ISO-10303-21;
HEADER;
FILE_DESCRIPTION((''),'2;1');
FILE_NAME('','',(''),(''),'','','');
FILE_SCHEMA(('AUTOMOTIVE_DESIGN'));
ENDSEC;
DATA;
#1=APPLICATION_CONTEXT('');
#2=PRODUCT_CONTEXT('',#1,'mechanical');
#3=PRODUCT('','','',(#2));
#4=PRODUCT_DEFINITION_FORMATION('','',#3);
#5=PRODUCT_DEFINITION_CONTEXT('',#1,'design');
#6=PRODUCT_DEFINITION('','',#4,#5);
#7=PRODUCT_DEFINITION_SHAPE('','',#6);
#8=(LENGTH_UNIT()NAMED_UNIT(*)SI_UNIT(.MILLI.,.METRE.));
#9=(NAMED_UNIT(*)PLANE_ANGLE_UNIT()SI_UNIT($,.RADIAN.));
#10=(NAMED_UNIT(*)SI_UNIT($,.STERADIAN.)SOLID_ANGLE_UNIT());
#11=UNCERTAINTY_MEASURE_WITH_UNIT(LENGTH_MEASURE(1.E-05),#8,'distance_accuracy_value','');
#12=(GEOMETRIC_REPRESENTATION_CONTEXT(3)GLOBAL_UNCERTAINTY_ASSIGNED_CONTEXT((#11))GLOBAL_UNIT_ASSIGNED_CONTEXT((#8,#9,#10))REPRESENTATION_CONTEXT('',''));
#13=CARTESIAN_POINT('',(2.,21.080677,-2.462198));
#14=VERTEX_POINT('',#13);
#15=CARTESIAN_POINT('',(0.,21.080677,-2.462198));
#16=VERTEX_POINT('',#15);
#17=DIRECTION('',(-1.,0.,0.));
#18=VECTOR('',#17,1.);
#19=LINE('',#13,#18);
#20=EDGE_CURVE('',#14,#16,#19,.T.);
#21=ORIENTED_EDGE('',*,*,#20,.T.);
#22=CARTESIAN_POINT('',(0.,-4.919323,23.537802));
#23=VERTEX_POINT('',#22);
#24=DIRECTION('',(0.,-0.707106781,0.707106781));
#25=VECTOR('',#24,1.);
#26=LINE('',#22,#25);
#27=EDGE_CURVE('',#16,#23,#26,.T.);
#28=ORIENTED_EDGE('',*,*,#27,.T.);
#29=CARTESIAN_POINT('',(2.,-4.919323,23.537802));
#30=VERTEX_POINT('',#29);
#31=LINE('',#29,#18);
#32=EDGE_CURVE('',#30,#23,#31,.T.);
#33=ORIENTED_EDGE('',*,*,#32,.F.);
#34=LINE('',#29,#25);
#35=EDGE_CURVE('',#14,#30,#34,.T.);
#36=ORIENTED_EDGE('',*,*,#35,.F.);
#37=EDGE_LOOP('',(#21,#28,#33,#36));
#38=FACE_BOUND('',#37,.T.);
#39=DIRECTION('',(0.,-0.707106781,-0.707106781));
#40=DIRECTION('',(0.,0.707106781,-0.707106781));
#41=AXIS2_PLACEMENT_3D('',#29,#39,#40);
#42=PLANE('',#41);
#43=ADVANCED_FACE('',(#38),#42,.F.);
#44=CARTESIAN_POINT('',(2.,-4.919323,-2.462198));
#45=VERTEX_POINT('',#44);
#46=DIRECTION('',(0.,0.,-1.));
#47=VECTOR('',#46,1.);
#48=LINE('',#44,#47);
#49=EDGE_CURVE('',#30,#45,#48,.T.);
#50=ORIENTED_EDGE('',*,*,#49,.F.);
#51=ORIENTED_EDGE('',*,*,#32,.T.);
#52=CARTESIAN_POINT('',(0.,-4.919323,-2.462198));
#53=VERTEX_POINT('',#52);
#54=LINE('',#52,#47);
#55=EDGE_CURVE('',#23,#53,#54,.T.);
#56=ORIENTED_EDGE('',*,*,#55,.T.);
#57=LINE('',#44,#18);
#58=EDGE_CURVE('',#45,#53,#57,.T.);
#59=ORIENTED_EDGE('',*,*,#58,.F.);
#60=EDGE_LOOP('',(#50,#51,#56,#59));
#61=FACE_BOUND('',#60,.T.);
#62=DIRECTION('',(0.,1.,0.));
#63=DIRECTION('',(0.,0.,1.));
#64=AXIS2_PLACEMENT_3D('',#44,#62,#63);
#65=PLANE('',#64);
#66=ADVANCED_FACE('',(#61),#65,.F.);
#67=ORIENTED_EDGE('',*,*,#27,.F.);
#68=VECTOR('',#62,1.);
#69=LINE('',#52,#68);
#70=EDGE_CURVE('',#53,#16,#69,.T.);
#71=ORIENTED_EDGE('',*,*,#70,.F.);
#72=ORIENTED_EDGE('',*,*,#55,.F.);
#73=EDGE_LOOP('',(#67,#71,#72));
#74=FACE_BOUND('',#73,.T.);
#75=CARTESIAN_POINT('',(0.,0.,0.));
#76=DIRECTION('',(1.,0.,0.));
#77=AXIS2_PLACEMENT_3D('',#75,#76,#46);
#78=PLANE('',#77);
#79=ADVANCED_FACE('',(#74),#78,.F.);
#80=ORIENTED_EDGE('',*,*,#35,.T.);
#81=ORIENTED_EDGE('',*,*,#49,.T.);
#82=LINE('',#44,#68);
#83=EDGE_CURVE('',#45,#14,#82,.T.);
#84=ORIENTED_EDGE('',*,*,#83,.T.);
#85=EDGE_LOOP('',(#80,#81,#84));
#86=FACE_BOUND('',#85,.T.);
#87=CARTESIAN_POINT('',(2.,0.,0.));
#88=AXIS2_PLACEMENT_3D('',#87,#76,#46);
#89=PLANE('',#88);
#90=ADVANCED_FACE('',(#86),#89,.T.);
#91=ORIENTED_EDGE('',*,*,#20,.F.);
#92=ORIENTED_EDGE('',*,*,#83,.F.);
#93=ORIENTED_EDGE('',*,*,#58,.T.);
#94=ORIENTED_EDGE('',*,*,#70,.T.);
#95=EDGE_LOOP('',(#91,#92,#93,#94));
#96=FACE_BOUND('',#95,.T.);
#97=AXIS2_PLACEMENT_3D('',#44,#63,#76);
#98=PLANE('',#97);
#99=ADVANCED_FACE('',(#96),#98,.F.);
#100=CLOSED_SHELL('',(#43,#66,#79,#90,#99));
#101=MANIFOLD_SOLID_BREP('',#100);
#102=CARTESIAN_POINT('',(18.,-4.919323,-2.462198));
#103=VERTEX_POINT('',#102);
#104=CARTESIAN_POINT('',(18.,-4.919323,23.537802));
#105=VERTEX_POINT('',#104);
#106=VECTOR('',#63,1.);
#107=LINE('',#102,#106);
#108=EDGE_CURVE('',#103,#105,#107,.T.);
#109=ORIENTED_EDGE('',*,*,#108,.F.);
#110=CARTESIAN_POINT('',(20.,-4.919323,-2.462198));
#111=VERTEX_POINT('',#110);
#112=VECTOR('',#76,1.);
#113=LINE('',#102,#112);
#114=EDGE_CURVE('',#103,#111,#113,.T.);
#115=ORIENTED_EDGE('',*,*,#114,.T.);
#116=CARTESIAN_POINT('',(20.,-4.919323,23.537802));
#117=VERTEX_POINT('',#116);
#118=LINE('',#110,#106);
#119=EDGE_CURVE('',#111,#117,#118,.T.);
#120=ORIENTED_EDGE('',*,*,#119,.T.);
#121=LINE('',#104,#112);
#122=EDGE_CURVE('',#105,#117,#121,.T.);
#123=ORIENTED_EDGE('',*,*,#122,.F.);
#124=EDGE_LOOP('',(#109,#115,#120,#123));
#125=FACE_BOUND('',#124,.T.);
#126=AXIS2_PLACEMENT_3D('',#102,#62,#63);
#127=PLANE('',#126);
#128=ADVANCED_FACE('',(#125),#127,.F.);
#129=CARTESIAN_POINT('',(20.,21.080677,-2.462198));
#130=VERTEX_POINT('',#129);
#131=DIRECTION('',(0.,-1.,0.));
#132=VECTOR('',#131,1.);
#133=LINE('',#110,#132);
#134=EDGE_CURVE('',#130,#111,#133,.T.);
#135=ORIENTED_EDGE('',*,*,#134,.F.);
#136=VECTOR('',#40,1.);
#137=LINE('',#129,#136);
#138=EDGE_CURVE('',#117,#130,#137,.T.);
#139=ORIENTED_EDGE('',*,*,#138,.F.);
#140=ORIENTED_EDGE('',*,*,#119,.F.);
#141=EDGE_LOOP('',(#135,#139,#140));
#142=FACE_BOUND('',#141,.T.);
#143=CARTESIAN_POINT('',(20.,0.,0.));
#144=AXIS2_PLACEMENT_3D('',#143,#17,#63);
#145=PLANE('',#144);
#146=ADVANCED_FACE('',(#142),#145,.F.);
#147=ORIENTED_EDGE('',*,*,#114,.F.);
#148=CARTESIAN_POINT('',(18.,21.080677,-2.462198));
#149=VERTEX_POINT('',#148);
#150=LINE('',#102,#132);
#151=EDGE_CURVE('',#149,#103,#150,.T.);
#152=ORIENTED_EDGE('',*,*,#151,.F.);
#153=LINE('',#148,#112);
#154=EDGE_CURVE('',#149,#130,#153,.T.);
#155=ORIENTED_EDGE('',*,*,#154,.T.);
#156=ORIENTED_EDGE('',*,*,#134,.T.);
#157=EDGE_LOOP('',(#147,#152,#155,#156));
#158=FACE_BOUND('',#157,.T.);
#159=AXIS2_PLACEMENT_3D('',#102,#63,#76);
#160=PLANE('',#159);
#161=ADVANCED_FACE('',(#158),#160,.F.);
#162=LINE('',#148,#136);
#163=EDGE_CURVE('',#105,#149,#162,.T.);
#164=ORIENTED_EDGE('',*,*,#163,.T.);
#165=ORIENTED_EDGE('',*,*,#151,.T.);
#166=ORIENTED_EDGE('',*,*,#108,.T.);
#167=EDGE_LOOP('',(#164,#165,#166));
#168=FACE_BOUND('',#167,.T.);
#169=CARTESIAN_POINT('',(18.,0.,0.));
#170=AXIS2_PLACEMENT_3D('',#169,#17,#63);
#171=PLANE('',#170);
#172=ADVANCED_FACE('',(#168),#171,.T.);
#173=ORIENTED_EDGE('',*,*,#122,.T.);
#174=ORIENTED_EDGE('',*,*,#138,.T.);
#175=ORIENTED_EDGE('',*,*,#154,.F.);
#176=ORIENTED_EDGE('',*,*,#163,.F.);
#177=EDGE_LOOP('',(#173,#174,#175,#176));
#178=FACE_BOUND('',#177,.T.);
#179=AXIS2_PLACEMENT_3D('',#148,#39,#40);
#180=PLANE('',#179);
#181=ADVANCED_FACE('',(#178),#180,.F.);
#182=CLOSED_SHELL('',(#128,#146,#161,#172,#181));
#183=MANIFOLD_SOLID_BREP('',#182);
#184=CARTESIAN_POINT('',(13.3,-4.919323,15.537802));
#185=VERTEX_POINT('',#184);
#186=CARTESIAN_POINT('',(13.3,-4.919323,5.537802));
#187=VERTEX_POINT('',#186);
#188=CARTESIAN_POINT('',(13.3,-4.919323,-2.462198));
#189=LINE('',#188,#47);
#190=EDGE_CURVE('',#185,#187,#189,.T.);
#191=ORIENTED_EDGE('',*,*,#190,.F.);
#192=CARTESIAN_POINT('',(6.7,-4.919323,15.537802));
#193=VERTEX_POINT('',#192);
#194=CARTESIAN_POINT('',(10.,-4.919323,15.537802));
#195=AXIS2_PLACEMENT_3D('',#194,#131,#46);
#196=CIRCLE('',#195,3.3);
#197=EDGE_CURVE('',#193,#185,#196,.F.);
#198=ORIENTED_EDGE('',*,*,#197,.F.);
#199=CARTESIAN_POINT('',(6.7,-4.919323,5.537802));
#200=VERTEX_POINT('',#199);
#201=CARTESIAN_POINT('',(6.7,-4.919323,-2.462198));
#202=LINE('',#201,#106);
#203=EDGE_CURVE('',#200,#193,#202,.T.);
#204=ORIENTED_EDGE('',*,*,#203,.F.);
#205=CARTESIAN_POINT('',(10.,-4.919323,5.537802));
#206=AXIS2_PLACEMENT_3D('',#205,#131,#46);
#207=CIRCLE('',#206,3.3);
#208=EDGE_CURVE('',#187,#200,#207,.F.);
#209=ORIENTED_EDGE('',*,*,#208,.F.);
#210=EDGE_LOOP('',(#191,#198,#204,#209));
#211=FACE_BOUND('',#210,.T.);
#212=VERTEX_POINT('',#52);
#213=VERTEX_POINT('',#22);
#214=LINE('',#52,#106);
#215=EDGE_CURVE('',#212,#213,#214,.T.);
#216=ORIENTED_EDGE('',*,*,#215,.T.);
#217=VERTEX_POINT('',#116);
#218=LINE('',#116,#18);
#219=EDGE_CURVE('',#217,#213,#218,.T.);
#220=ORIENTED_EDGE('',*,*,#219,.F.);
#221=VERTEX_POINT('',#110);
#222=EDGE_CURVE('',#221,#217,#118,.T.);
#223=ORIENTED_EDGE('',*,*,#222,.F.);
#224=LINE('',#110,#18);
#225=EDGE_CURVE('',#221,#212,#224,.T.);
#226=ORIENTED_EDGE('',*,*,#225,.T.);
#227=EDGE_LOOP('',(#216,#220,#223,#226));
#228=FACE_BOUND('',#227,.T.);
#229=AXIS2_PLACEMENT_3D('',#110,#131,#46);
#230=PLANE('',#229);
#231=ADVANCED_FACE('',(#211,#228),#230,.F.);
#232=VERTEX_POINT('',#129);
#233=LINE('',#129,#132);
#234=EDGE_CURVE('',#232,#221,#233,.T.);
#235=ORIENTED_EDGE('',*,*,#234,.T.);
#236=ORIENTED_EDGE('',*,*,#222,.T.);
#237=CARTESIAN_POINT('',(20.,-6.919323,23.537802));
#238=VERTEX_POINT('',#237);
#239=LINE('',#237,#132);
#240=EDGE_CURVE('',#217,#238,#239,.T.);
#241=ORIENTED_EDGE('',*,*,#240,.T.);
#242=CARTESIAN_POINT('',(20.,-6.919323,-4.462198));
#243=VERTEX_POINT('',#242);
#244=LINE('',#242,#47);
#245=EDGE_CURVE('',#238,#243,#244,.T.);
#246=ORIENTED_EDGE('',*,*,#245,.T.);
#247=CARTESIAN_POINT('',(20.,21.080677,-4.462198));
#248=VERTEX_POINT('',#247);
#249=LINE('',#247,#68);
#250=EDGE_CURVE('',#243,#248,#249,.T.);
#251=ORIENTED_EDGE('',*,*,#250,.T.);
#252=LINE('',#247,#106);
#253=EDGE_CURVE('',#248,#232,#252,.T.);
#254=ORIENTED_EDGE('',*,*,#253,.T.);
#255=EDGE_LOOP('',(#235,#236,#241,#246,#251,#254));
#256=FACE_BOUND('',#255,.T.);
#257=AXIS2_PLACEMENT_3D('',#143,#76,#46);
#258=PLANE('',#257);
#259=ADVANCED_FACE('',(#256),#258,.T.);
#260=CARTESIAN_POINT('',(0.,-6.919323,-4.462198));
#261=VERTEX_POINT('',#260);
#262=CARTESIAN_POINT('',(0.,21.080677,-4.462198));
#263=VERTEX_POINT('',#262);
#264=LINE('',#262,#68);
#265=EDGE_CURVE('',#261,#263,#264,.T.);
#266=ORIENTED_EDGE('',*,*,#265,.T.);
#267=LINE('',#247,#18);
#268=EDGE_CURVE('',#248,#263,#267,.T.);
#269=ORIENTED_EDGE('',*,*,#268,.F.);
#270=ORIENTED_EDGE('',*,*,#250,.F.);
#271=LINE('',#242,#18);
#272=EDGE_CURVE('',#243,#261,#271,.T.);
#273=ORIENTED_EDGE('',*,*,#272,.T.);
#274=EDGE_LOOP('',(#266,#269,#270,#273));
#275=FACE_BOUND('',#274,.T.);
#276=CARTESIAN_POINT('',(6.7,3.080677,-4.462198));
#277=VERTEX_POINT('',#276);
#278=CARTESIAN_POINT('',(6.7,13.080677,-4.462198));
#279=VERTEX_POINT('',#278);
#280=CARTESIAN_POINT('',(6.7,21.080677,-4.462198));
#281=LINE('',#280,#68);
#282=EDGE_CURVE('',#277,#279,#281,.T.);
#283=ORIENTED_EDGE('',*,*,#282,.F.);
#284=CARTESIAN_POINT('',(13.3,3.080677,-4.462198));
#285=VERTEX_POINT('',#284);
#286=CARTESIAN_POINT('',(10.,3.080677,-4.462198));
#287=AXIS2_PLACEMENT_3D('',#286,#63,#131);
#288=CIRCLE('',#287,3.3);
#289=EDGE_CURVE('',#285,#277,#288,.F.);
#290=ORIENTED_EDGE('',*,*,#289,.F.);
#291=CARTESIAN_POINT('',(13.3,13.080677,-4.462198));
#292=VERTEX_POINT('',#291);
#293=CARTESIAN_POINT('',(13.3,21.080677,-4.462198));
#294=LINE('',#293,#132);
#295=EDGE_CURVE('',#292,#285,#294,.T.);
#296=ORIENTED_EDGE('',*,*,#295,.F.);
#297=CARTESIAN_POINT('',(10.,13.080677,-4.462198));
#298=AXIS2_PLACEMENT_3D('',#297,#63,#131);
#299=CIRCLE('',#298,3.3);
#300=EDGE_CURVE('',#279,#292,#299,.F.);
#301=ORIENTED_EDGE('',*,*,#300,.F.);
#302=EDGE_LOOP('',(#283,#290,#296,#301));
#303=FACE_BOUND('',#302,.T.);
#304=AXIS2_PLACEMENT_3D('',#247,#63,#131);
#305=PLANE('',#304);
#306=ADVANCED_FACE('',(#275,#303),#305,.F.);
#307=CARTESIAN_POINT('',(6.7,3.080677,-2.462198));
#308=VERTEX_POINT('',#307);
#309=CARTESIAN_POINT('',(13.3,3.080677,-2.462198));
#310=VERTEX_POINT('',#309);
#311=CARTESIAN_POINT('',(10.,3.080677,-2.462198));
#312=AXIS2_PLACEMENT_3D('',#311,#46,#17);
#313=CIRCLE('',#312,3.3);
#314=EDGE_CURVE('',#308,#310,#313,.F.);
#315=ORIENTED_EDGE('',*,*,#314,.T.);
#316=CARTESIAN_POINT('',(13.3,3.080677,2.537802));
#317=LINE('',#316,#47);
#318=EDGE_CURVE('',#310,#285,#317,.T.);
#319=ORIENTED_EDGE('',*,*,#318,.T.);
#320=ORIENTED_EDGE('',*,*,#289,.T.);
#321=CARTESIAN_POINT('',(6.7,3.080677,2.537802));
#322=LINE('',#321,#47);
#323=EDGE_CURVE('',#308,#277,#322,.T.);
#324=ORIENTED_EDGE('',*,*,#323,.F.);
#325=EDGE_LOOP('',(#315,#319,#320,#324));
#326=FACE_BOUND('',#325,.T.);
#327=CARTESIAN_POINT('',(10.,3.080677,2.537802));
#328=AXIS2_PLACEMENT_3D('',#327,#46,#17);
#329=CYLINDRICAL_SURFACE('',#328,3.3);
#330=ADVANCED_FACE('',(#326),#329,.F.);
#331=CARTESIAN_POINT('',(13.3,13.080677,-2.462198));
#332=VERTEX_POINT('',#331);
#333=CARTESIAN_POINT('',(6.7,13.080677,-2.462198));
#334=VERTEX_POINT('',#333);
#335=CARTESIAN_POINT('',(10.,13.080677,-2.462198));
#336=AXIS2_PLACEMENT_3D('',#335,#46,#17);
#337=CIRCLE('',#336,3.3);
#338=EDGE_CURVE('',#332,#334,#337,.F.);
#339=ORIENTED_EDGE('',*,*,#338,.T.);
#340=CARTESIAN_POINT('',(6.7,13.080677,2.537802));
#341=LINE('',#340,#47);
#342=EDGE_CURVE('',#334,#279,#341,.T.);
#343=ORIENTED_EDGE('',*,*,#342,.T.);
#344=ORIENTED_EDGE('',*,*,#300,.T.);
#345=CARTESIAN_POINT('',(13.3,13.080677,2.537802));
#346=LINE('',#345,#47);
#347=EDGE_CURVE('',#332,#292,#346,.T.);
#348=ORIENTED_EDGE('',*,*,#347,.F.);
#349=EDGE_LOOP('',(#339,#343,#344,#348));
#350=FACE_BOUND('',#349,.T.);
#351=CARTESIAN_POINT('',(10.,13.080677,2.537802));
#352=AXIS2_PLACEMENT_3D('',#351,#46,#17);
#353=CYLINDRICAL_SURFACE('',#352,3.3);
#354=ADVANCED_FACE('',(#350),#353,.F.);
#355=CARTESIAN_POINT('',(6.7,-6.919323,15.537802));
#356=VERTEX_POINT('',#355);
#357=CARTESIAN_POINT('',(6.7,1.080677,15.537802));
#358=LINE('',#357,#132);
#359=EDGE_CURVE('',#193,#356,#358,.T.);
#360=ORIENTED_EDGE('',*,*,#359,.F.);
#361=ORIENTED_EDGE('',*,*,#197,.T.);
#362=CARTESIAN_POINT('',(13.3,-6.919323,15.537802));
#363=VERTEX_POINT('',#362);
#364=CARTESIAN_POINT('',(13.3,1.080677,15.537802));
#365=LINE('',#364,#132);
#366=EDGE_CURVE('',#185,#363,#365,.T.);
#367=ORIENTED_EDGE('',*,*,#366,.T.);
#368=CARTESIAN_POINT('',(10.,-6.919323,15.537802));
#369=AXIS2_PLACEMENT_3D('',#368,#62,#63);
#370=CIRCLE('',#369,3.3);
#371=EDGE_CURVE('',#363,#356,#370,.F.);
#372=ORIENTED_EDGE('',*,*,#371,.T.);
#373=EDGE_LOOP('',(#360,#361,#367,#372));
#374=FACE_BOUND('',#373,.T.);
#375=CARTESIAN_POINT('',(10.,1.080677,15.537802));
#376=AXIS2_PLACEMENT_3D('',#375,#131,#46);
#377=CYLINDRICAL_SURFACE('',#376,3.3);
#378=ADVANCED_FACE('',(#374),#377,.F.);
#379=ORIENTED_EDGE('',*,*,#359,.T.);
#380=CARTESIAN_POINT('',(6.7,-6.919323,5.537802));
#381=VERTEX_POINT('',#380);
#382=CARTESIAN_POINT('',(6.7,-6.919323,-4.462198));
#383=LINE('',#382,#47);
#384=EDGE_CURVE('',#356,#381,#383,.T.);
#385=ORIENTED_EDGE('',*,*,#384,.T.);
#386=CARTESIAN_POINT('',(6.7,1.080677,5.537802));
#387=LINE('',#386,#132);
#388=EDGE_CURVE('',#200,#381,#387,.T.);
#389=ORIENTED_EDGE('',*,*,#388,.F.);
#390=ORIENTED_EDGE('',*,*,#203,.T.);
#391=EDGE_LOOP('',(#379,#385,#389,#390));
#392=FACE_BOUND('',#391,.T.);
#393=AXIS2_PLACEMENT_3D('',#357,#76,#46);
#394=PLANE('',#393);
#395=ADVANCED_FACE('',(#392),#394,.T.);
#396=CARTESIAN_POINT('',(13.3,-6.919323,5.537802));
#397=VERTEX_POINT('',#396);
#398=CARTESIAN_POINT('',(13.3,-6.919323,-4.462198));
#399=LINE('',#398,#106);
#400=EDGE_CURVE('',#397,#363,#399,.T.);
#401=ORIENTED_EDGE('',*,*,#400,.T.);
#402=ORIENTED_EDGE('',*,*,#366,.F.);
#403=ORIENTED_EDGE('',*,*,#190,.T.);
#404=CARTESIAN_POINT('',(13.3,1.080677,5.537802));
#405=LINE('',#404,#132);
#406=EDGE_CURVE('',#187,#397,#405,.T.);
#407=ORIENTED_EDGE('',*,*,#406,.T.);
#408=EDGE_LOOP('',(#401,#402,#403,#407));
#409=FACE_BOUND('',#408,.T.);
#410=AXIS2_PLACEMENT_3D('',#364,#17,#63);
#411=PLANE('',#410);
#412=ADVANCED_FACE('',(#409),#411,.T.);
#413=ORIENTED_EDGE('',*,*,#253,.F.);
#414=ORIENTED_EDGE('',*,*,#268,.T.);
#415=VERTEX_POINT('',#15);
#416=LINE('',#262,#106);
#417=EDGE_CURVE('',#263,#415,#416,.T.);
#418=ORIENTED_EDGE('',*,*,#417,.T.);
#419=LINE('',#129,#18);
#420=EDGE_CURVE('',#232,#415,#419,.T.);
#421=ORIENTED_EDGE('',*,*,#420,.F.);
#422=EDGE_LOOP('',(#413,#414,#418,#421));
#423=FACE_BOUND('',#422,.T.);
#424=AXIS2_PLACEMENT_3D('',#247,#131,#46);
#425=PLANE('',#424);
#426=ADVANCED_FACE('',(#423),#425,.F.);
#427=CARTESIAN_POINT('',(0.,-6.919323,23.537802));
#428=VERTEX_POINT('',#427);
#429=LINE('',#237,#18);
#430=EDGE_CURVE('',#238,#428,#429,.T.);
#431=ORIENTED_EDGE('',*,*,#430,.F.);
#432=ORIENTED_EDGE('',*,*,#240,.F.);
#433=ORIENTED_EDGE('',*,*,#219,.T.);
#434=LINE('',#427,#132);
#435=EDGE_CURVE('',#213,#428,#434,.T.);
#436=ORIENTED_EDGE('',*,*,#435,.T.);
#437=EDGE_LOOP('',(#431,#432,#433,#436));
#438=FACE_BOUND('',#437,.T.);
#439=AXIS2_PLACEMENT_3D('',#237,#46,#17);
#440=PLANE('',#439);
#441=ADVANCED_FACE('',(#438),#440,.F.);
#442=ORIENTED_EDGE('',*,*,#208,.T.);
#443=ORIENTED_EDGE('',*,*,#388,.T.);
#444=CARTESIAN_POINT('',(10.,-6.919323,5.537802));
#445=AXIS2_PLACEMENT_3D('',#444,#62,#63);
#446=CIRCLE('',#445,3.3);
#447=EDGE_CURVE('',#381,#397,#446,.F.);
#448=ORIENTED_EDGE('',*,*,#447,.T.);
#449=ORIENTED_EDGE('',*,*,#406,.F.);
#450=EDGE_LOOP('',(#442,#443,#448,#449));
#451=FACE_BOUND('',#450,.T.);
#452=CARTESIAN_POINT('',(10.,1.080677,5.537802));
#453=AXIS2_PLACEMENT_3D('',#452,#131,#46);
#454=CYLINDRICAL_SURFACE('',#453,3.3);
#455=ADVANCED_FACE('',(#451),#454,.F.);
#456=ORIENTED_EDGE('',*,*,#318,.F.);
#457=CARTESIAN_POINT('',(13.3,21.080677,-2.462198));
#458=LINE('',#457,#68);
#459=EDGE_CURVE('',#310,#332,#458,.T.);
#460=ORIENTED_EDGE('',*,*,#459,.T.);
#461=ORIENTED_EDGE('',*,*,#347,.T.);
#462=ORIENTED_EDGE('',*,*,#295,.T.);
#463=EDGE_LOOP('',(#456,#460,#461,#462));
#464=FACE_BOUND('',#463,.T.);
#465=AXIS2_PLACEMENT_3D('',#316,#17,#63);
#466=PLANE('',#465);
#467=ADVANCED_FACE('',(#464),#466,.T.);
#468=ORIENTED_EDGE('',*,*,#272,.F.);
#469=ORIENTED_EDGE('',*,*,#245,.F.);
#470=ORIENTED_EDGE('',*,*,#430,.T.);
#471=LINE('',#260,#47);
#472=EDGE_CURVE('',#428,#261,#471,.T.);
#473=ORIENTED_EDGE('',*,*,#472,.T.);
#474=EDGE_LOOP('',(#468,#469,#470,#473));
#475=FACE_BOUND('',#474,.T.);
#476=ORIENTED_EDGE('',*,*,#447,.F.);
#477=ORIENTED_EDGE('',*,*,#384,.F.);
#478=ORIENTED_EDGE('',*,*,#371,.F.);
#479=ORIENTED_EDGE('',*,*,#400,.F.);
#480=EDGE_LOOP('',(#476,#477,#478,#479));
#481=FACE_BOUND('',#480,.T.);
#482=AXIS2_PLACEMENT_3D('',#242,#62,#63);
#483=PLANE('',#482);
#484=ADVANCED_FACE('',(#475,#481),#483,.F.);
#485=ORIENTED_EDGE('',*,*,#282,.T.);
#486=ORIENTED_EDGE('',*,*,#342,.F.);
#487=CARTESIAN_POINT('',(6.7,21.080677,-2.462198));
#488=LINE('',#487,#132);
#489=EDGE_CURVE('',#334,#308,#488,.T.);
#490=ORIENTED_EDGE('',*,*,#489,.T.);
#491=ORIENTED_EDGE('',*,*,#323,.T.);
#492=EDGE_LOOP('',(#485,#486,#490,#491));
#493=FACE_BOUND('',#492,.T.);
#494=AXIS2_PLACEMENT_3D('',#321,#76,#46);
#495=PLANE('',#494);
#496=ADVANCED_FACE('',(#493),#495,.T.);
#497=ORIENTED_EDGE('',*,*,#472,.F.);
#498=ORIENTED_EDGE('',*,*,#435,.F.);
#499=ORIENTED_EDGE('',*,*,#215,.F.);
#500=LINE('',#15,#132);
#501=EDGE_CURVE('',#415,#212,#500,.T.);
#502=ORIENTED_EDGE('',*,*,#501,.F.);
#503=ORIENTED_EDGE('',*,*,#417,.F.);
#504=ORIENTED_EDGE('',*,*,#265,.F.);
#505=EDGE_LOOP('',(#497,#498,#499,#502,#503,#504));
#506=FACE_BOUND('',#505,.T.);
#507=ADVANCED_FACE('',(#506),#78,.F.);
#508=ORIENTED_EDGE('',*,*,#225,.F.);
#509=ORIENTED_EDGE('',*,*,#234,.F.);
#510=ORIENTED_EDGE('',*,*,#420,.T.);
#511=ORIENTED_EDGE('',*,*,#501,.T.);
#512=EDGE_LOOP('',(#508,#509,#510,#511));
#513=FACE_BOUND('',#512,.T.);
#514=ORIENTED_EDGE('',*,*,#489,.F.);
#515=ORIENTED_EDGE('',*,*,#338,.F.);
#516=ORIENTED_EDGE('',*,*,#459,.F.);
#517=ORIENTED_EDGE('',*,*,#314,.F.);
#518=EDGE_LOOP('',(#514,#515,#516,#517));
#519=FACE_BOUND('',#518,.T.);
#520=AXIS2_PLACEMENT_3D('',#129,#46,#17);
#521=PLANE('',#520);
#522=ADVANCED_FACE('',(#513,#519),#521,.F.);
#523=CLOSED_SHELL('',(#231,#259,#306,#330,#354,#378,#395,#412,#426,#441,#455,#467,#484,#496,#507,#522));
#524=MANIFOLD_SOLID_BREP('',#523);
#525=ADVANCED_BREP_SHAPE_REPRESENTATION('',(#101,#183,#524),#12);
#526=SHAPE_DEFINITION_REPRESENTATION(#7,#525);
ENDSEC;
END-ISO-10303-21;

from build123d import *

# Parameters (mm, degrees)
EXTRUDE_1_DEPTH          = 20
GUSSET_2_THICKNESS       = 2
GUSSET_3_THICKNESS       = 2
CUT_EXTRUDE_1_DEPTH      = 6
CUT_EXTRUDE_1_DEPTH_BACK = 7
CUT_EXTRUDE_2_DEPTH      = 5
CUT_EXTRUDE_2_DEPTH_BACK = 3


with BuildPart() as part:
    # 草图3 → 凸台-拉伸1 (new body)
    with BuildSketch(Plane(origin=(0, 0, 0), x_dir=(0, 0, -1), z_dir=(1, 0, 0))):
        Polygon((4.462197867, 21.080677013), (4.462197867, -6.919322987), (-23.537802133, -6.919322987), (-23.537802133, -4.919322987), (2.462197867, -4.919322987), (2.462197867, 21.080677013), align=None)
    extrude(amount=EXTRUDE_1_DEPTH)

    # 草图7 → 切除-拉伸1 (cut, two sides)
    with BuildSketch(Plane(origin=(0, -4.919322987, 0), x_dir=(1, 0, 0), z_dir=(0, 1, 0))) as cut_extrude_1_sk:
        with BuildLine():
            Line((6.7, -15.537802133), (6.7, -5.537802133))
            ThreePointArc((6.7, -5.537802133), (10, -2.237802133), (13.3, -5.537802133))
            Line((13.3, -5.537802133), (13.3, -15.537802133))
            ThreePointArc((13.3, -15.537802133), (10, -18.837802133), (6.7, -15.537802133))
        make_face()
    extrude(amount=CUT_EXTRUDE_1_DEPTH, mode=Mode.SUBTRACT)
    extrude(cut_extrude_1_sk.sketch, amount=-CUT_EXTRUDE_1_DEPTH_BACK, mode=Mode.SUBTRACT)

    # 草图8 → 切除-拉伸2 (cut, two sides)
    with BuildSketch(Plane.XY.offset(-2.462197867)) as cut_extrude_2_sk:
        with BuildLine():
            Line((6.7, 3.080677013), (6.7, 13.080677013))
            ThreePointArc((6.7, 13.080677013), (10, 16.380677013), (13.3, 13.080677013))
            Line((13.3, 13.080677013), (13.3, 3.080677013))
            ThreePointArc((13.3, 3.080677013), (10, -0.219322987), (6.7, 3.080677013))
        make_face()
    extrude(amount=CUT_EXTRUDE_2_DEPTH, mode=Mode.SUBTRACT)
    extrude(cut_extrude_2_sk.sketch, amount=-CUT_EXTRUDE_2_DEPTH_BACK, mode=Mode.SUBTRACT)


with BuildPart() as body_2:
    # Gusset 2: a gusset: a plate 2.0 thick in the corner of two members, its outline drawn in place
    gusset_2_outline = Wire([Line((20, -4.919322987, -2.462197867), (20, 21.080677013, -2.462197867)), Line((20, 21.080677013, -2.462197867), (20, -4.919322987, 23.537802133)), Line((20, -4.919322987, 23.537802133), (20, -4.919322987, -2.462197867))])
    add(extrude(Face(gusset_2_outline), amount=GUSSET_2_THICKNESS, dir=(-1, 0, 0)))


with BuildPart() as body_3:
    # Gusset 3: a gusset: a plate 2.0 thick in the corner of two members, its outline drawn in place
    gusset_3_outline = Wire([Line((0, -4.919322987, -2.462197867), (0, -4.919322987, 23.537802133)), Line((0, -4.919322987, 23.537802133), (0, 21.080677013, -2.462197867)), Line((0, 21.080677013, -2.462197867), (0, -4.919322987, -2.462197867))])
    add(extrude(Face(gusset_3_outline), amount=GUSSET_3_THICKNESS, dir=(1, 0, 0)))


solid = Compound([part.part, body_2.part, body_3.part])
